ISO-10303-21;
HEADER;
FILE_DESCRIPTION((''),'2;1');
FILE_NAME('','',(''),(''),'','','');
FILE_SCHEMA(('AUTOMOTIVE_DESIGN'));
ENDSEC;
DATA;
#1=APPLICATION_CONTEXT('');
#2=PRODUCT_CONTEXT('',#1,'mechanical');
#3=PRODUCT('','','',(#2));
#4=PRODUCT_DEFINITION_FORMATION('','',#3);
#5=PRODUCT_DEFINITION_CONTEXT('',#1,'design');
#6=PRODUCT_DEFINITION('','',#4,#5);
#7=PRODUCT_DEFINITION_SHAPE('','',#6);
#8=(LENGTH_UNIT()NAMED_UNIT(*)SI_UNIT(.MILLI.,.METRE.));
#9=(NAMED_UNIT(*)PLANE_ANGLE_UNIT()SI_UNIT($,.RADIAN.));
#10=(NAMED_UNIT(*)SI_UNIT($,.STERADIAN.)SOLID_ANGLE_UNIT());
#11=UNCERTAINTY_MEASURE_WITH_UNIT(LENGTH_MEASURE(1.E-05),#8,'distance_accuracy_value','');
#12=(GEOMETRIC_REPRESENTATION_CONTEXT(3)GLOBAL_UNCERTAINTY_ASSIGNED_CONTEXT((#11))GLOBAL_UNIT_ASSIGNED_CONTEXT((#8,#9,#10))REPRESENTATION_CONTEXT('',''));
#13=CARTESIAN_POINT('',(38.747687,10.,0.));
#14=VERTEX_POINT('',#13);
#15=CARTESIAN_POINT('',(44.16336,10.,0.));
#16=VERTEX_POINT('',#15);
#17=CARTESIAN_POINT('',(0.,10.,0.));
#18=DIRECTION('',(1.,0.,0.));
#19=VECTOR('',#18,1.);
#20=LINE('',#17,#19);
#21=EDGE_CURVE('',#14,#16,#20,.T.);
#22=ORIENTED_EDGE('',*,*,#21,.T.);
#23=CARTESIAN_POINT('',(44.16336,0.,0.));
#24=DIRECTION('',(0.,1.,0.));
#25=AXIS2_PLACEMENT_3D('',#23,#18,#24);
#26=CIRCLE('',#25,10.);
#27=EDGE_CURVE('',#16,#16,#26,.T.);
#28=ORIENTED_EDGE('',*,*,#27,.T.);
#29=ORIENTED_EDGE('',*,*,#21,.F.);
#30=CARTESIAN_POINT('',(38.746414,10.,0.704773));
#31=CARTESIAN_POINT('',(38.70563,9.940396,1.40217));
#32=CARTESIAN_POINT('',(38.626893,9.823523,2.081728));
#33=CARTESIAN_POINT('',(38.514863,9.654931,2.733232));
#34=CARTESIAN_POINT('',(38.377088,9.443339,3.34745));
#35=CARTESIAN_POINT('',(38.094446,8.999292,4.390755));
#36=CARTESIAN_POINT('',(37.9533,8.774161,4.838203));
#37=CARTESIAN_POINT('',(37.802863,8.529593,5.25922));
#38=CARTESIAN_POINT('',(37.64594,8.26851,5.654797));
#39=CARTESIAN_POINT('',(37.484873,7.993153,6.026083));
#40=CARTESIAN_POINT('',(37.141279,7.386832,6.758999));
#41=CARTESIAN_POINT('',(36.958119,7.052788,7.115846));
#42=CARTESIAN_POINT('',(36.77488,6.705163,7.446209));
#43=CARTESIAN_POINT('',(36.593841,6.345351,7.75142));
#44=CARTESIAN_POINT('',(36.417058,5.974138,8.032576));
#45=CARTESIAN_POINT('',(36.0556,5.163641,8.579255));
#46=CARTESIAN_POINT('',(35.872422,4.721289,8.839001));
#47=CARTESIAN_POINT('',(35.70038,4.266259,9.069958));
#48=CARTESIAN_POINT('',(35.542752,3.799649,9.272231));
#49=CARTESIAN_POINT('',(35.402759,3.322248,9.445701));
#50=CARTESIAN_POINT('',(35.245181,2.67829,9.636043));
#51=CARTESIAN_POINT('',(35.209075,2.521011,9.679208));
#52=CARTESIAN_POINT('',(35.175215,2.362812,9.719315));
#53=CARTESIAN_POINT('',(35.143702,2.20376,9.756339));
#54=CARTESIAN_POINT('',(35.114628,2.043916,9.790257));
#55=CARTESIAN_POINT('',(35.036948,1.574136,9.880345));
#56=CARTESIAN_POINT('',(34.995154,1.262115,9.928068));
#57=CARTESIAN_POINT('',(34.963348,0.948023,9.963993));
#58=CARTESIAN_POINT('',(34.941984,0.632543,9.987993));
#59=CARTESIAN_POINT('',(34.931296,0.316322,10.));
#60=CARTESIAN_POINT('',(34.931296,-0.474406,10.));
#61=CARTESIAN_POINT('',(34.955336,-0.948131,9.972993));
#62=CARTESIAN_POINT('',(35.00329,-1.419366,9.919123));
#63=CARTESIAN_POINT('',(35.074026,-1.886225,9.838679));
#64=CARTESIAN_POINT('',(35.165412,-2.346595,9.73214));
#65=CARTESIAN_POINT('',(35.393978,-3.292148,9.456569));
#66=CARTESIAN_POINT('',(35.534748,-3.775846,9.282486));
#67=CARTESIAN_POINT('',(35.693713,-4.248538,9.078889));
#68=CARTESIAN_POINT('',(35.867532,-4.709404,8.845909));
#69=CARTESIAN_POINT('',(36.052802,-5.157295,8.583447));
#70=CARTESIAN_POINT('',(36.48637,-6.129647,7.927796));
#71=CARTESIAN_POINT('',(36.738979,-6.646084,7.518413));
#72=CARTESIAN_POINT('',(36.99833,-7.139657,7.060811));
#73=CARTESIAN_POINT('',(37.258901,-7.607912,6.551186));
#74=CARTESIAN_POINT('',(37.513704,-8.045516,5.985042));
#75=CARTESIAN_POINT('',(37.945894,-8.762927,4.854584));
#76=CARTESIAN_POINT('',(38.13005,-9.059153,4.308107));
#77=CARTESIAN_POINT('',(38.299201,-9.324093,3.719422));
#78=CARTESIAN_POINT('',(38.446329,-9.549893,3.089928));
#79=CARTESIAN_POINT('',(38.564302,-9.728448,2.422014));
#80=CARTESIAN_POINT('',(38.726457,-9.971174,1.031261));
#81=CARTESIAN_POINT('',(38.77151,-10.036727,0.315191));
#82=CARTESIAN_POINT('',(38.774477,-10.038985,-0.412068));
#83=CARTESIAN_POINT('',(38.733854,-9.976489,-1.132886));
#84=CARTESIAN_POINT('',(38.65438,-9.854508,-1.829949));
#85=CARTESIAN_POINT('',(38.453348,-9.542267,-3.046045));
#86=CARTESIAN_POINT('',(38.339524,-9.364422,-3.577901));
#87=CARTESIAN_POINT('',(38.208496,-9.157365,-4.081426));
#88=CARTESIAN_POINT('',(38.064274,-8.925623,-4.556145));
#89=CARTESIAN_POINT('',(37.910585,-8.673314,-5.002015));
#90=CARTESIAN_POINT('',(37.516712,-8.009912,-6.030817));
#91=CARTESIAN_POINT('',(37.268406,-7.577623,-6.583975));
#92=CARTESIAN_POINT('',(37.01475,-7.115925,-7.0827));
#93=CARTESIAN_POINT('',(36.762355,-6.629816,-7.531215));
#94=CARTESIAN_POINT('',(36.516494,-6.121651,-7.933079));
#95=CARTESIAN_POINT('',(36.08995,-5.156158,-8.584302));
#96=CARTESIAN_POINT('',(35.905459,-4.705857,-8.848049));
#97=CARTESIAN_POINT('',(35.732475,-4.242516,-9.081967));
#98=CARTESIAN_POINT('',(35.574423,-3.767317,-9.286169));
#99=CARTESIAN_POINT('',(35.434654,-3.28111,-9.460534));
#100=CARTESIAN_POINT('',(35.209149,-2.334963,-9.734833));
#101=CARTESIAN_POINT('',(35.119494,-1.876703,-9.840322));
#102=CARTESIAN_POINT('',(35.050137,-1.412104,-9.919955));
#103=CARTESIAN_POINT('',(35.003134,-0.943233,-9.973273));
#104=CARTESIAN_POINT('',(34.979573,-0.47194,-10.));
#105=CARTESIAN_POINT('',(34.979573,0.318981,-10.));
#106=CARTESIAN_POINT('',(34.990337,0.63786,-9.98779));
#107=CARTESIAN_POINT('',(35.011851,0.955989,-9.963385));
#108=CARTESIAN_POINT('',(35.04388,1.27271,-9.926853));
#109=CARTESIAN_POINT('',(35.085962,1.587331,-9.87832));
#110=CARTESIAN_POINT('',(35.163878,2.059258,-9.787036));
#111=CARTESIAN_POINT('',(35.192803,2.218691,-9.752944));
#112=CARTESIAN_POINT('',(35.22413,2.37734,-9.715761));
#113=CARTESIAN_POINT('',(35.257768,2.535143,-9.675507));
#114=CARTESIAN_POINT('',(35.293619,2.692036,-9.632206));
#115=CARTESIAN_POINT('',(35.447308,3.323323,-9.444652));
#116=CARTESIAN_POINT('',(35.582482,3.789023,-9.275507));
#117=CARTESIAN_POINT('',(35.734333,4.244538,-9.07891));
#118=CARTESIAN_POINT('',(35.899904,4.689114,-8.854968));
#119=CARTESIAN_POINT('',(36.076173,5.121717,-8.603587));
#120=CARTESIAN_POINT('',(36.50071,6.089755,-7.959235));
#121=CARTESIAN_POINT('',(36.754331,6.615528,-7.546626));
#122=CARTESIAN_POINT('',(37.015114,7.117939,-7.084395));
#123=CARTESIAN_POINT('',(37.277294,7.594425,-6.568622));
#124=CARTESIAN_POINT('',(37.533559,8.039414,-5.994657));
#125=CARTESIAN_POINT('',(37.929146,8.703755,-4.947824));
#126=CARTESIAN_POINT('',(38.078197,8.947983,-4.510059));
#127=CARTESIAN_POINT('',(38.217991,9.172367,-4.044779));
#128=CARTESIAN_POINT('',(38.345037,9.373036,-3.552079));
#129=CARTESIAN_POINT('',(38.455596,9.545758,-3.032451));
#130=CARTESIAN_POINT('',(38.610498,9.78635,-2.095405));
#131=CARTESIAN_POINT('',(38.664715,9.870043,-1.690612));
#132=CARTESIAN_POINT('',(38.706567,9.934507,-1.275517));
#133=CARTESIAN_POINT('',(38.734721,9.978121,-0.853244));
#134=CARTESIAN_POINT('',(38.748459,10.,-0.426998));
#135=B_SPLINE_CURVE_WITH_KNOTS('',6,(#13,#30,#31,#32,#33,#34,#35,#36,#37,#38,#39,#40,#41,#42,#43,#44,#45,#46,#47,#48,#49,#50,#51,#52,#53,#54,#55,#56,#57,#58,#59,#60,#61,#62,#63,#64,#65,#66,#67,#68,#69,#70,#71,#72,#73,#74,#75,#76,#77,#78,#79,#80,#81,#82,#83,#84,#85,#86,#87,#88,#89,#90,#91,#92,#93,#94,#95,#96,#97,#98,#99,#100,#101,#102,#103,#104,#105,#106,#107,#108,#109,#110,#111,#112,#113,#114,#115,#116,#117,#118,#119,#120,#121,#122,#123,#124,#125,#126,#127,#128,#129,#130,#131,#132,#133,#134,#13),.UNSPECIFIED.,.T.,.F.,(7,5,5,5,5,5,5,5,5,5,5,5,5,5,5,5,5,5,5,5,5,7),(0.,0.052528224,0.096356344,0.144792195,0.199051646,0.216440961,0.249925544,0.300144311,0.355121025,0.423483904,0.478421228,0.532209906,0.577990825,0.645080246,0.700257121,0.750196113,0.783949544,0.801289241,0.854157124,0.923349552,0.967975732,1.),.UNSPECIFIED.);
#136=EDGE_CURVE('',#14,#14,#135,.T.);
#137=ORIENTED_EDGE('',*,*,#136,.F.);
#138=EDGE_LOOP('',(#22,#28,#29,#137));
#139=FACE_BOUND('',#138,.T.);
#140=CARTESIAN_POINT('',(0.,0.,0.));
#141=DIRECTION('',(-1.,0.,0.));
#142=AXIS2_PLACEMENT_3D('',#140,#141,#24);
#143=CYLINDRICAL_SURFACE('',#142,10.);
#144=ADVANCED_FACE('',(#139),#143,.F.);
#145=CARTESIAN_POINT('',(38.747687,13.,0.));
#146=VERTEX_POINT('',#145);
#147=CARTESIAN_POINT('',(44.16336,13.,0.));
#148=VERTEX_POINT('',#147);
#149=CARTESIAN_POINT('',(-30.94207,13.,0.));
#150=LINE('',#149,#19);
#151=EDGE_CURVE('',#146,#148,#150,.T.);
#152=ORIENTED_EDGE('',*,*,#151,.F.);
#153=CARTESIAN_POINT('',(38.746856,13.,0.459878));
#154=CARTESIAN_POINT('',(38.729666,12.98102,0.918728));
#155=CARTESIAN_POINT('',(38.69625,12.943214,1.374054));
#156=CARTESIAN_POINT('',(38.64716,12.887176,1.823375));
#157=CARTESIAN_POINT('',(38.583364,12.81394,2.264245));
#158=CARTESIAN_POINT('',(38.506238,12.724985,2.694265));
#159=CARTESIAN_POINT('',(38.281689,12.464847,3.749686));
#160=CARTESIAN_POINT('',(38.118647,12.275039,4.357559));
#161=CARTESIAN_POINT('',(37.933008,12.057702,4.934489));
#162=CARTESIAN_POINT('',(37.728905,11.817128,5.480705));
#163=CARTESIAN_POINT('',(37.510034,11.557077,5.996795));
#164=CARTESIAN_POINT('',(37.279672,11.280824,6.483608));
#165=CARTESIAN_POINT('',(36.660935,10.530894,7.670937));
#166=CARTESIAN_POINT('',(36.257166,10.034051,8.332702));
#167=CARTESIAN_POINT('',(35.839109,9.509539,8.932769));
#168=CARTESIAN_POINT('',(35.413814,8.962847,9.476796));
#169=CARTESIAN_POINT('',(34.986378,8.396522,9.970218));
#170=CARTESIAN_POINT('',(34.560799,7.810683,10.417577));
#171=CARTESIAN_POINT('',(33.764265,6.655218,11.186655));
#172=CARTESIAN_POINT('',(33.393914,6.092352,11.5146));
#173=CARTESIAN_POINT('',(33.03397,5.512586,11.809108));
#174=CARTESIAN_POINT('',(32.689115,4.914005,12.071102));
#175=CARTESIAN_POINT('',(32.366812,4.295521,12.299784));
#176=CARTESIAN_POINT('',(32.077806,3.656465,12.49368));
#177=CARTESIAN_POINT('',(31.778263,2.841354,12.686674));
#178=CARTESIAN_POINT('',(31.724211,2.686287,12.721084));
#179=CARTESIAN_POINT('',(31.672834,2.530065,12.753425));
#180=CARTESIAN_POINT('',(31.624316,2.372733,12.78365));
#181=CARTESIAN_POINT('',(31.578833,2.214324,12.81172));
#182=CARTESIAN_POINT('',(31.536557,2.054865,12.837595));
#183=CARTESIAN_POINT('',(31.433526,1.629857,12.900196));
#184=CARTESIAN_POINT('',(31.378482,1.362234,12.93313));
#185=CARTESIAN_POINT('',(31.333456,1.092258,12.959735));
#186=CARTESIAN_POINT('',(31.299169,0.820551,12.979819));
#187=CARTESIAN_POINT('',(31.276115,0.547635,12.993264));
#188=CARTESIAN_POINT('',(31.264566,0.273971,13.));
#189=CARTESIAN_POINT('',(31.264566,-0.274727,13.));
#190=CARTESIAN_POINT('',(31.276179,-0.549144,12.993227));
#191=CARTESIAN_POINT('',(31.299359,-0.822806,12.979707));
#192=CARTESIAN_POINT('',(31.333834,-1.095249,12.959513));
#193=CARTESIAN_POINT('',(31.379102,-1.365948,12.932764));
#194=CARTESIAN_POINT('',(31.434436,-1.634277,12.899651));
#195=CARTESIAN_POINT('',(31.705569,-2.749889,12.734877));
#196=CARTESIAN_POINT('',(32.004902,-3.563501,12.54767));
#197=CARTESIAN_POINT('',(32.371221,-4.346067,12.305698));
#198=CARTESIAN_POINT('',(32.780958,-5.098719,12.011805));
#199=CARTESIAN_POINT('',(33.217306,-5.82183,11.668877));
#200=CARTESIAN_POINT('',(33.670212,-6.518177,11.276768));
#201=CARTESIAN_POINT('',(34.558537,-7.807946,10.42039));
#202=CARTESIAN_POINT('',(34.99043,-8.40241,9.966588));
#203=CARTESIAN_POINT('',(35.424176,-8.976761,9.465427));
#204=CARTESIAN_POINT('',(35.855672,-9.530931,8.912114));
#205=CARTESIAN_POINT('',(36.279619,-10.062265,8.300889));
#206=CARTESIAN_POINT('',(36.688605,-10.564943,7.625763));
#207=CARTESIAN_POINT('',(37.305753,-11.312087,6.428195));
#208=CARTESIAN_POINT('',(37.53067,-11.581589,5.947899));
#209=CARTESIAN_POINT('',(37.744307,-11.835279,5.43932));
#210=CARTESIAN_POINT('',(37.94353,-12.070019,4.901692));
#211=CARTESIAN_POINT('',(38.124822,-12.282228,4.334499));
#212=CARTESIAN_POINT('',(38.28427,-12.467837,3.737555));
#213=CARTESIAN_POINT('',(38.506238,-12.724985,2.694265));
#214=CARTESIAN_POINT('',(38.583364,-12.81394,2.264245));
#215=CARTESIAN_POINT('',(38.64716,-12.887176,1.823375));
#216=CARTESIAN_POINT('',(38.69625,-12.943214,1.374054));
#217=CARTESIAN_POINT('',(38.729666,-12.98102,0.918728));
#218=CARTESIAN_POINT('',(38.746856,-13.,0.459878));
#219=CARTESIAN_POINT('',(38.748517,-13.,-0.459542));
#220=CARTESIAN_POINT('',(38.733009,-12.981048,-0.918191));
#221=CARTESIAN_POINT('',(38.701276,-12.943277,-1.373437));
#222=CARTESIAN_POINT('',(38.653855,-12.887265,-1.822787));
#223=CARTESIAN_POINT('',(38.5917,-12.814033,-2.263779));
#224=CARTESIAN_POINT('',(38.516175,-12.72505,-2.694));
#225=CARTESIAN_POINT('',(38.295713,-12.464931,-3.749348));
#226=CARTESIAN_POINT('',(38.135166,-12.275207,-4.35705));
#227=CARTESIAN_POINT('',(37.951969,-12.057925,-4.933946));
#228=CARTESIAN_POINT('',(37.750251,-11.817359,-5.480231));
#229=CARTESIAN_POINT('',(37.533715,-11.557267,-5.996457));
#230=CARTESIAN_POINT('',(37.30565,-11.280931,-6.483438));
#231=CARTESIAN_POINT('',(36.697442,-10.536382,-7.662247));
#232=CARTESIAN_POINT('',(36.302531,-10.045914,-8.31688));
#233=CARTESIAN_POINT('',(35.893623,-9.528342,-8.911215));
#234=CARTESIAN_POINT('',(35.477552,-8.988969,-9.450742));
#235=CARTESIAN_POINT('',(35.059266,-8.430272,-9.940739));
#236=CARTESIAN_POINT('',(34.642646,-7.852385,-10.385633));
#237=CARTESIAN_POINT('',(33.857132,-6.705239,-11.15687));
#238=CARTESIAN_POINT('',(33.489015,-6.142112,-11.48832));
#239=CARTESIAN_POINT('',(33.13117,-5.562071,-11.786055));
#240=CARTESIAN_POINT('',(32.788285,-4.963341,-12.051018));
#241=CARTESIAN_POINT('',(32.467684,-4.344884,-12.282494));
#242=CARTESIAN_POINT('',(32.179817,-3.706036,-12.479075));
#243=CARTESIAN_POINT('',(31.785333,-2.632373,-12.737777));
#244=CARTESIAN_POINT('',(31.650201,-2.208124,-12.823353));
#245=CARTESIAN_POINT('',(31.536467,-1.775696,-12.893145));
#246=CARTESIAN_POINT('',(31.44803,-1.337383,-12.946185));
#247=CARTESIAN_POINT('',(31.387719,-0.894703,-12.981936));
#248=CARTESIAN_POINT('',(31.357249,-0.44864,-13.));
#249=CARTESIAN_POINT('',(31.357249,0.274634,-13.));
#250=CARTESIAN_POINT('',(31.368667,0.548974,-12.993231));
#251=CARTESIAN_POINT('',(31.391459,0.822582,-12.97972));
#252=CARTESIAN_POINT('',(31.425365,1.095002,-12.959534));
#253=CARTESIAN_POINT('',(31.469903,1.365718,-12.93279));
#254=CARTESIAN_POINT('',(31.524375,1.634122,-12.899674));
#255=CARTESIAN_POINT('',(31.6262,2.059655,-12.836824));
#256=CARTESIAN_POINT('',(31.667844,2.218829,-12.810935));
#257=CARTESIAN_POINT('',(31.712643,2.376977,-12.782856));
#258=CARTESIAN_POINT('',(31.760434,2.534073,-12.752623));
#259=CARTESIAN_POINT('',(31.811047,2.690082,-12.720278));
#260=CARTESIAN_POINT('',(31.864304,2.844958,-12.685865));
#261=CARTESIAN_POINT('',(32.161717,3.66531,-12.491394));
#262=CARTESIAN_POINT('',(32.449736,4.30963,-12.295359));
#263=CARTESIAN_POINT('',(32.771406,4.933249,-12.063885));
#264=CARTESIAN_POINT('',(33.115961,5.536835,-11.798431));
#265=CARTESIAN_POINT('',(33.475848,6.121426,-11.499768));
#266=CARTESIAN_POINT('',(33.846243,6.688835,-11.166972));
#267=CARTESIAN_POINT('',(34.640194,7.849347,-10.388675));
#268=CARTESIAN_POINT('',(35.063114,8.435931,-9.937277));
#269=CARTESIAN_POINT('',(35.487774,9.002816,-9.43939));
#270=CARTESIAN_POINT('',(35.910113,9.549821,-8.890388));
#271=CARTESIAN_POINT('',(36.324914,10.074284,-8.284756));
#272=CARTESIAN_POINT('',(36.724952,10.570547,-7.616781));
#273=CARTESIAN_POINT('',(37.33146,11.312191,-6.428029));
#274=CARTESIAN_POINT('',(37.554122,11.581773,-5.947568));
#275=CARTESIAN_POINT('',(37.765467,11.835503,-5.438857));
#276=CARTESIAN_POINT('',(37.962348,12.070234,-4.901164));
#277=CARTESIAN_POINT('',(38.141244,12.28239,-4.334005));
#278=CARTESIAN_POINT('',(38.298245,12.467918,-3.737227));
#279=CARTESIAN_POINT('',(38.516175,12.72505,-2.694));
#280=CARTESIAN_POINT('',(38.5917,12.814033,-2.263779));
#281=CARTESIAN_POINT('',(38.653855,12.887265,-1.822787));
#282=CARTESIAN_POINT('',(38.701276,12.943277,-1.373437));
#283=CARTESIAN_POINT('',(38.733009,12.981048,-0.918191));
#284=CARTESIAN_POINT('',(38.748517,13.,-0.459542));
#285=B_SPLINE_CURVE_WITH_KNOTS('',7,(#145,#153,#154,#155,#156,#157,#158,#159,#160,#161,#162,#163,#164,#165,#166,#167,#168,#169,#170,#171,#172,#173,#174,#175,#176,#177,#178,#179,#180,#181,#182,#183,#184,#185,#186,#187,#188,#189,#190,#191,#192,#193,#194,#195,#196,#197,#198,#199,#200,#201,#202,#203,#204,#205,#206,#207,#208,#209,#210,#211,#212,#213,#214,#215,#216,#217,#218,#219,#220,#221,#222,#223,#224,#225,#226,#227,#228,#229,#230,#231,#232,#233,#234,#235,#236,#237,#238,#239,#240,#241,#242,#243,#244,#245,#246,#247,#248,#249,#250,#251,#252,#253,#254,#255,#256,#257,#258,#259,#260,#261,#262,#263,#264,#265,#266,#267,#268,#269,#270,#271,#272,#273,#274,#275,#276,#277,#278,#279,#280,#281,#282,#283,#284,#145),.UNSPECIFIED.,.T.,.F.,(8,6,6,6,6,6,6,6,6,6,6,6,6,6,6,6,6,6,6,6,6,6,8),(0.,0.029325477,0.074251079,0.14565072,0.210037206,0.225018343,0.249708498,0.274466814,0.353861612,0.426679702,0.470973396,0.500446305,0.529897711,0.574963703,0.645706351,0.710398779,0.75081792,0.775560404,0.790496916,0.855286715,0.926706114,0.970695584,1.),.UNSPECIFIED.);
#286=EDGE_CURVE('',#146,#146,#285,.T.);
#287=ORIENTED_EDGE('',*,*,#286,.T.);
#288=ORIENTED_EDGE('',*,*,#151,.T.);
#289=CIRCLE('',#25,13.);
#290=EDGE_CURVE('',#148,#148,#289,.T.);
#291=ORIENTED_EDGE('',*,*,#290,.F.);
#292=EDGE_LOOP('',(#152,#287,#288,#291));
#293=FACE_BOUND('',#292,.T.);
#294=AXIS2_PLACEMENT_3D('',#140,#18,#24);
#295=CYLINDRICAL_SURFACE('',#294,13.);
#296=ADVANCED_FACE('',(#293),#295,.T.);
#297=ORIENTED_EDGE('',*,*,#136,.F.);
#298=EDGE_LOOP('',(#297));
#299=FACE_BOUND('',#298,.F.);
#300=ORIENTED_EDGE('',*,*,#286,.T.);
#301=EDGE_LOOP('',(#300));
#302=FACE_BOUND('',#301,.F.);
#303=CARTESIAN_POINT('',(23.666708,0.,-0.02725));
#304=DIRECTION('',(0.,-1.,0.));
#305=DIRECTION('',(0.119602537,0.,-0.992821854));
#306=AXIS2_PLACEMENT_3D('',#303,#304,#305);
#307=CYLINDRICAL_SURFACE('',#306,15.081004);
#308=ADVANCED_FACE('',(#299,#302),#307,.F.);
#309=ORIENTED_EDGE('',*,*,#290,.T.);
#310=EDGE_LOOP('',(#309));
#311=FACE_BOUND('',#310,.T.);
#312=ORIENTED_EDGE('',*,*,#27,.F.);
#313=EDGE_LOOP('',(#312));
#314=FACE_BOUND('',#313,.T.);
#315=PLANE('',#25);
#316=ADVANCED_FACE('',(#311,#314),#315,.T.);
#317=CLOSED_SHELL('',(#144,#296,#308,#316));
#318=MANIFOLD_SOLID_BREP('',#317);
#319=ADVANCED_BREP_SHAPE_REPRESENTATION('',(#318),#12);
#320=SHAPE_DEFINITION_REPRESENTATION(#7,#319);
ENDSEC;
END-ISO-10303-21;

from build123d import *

# Parameters (mm, degrees)
F0_R          = 13
F0_R_2        = 10
F1_DEPTH      = 44.16336
F1_DEPTH_BACK = 30.94207
F3_DEPTH      = 65.10029


with BuildPart() as f1:
    # F0 (on Right) → F1 (new body, two sides)
    with BuildSketch(Plane.YZ) as f1_sk:
        Circle(F0_R)
        Circle(F0_R_2, mode=Mode.SUBTRACT)
    extrude(amount=F1_DEPTH)
    extrude(f1_sk.sketch, amount=-F1_DEPTH_BACK)

    # F2 (on Front) → F3 (cut, symmetric)
    with BuildSketch(Plane.XZ):
        with BuildLine():
            Line((-32.5, -15), (25.470434, -15))
            ThreePointArc((25.470434, -15), (38.745345, 0.239915), (24.93889, 15))
            Line((24.93889, 15), (22.394525, 15))
            Line((22.394525, 15), (-32.5, 15))
            Line((-32.5, 15), (-32.5, -15))
        make_face()
    extrude(amount=F3_DEPTH, both=True, mode=Mode.SUBTRACT)


solid = f1.part
